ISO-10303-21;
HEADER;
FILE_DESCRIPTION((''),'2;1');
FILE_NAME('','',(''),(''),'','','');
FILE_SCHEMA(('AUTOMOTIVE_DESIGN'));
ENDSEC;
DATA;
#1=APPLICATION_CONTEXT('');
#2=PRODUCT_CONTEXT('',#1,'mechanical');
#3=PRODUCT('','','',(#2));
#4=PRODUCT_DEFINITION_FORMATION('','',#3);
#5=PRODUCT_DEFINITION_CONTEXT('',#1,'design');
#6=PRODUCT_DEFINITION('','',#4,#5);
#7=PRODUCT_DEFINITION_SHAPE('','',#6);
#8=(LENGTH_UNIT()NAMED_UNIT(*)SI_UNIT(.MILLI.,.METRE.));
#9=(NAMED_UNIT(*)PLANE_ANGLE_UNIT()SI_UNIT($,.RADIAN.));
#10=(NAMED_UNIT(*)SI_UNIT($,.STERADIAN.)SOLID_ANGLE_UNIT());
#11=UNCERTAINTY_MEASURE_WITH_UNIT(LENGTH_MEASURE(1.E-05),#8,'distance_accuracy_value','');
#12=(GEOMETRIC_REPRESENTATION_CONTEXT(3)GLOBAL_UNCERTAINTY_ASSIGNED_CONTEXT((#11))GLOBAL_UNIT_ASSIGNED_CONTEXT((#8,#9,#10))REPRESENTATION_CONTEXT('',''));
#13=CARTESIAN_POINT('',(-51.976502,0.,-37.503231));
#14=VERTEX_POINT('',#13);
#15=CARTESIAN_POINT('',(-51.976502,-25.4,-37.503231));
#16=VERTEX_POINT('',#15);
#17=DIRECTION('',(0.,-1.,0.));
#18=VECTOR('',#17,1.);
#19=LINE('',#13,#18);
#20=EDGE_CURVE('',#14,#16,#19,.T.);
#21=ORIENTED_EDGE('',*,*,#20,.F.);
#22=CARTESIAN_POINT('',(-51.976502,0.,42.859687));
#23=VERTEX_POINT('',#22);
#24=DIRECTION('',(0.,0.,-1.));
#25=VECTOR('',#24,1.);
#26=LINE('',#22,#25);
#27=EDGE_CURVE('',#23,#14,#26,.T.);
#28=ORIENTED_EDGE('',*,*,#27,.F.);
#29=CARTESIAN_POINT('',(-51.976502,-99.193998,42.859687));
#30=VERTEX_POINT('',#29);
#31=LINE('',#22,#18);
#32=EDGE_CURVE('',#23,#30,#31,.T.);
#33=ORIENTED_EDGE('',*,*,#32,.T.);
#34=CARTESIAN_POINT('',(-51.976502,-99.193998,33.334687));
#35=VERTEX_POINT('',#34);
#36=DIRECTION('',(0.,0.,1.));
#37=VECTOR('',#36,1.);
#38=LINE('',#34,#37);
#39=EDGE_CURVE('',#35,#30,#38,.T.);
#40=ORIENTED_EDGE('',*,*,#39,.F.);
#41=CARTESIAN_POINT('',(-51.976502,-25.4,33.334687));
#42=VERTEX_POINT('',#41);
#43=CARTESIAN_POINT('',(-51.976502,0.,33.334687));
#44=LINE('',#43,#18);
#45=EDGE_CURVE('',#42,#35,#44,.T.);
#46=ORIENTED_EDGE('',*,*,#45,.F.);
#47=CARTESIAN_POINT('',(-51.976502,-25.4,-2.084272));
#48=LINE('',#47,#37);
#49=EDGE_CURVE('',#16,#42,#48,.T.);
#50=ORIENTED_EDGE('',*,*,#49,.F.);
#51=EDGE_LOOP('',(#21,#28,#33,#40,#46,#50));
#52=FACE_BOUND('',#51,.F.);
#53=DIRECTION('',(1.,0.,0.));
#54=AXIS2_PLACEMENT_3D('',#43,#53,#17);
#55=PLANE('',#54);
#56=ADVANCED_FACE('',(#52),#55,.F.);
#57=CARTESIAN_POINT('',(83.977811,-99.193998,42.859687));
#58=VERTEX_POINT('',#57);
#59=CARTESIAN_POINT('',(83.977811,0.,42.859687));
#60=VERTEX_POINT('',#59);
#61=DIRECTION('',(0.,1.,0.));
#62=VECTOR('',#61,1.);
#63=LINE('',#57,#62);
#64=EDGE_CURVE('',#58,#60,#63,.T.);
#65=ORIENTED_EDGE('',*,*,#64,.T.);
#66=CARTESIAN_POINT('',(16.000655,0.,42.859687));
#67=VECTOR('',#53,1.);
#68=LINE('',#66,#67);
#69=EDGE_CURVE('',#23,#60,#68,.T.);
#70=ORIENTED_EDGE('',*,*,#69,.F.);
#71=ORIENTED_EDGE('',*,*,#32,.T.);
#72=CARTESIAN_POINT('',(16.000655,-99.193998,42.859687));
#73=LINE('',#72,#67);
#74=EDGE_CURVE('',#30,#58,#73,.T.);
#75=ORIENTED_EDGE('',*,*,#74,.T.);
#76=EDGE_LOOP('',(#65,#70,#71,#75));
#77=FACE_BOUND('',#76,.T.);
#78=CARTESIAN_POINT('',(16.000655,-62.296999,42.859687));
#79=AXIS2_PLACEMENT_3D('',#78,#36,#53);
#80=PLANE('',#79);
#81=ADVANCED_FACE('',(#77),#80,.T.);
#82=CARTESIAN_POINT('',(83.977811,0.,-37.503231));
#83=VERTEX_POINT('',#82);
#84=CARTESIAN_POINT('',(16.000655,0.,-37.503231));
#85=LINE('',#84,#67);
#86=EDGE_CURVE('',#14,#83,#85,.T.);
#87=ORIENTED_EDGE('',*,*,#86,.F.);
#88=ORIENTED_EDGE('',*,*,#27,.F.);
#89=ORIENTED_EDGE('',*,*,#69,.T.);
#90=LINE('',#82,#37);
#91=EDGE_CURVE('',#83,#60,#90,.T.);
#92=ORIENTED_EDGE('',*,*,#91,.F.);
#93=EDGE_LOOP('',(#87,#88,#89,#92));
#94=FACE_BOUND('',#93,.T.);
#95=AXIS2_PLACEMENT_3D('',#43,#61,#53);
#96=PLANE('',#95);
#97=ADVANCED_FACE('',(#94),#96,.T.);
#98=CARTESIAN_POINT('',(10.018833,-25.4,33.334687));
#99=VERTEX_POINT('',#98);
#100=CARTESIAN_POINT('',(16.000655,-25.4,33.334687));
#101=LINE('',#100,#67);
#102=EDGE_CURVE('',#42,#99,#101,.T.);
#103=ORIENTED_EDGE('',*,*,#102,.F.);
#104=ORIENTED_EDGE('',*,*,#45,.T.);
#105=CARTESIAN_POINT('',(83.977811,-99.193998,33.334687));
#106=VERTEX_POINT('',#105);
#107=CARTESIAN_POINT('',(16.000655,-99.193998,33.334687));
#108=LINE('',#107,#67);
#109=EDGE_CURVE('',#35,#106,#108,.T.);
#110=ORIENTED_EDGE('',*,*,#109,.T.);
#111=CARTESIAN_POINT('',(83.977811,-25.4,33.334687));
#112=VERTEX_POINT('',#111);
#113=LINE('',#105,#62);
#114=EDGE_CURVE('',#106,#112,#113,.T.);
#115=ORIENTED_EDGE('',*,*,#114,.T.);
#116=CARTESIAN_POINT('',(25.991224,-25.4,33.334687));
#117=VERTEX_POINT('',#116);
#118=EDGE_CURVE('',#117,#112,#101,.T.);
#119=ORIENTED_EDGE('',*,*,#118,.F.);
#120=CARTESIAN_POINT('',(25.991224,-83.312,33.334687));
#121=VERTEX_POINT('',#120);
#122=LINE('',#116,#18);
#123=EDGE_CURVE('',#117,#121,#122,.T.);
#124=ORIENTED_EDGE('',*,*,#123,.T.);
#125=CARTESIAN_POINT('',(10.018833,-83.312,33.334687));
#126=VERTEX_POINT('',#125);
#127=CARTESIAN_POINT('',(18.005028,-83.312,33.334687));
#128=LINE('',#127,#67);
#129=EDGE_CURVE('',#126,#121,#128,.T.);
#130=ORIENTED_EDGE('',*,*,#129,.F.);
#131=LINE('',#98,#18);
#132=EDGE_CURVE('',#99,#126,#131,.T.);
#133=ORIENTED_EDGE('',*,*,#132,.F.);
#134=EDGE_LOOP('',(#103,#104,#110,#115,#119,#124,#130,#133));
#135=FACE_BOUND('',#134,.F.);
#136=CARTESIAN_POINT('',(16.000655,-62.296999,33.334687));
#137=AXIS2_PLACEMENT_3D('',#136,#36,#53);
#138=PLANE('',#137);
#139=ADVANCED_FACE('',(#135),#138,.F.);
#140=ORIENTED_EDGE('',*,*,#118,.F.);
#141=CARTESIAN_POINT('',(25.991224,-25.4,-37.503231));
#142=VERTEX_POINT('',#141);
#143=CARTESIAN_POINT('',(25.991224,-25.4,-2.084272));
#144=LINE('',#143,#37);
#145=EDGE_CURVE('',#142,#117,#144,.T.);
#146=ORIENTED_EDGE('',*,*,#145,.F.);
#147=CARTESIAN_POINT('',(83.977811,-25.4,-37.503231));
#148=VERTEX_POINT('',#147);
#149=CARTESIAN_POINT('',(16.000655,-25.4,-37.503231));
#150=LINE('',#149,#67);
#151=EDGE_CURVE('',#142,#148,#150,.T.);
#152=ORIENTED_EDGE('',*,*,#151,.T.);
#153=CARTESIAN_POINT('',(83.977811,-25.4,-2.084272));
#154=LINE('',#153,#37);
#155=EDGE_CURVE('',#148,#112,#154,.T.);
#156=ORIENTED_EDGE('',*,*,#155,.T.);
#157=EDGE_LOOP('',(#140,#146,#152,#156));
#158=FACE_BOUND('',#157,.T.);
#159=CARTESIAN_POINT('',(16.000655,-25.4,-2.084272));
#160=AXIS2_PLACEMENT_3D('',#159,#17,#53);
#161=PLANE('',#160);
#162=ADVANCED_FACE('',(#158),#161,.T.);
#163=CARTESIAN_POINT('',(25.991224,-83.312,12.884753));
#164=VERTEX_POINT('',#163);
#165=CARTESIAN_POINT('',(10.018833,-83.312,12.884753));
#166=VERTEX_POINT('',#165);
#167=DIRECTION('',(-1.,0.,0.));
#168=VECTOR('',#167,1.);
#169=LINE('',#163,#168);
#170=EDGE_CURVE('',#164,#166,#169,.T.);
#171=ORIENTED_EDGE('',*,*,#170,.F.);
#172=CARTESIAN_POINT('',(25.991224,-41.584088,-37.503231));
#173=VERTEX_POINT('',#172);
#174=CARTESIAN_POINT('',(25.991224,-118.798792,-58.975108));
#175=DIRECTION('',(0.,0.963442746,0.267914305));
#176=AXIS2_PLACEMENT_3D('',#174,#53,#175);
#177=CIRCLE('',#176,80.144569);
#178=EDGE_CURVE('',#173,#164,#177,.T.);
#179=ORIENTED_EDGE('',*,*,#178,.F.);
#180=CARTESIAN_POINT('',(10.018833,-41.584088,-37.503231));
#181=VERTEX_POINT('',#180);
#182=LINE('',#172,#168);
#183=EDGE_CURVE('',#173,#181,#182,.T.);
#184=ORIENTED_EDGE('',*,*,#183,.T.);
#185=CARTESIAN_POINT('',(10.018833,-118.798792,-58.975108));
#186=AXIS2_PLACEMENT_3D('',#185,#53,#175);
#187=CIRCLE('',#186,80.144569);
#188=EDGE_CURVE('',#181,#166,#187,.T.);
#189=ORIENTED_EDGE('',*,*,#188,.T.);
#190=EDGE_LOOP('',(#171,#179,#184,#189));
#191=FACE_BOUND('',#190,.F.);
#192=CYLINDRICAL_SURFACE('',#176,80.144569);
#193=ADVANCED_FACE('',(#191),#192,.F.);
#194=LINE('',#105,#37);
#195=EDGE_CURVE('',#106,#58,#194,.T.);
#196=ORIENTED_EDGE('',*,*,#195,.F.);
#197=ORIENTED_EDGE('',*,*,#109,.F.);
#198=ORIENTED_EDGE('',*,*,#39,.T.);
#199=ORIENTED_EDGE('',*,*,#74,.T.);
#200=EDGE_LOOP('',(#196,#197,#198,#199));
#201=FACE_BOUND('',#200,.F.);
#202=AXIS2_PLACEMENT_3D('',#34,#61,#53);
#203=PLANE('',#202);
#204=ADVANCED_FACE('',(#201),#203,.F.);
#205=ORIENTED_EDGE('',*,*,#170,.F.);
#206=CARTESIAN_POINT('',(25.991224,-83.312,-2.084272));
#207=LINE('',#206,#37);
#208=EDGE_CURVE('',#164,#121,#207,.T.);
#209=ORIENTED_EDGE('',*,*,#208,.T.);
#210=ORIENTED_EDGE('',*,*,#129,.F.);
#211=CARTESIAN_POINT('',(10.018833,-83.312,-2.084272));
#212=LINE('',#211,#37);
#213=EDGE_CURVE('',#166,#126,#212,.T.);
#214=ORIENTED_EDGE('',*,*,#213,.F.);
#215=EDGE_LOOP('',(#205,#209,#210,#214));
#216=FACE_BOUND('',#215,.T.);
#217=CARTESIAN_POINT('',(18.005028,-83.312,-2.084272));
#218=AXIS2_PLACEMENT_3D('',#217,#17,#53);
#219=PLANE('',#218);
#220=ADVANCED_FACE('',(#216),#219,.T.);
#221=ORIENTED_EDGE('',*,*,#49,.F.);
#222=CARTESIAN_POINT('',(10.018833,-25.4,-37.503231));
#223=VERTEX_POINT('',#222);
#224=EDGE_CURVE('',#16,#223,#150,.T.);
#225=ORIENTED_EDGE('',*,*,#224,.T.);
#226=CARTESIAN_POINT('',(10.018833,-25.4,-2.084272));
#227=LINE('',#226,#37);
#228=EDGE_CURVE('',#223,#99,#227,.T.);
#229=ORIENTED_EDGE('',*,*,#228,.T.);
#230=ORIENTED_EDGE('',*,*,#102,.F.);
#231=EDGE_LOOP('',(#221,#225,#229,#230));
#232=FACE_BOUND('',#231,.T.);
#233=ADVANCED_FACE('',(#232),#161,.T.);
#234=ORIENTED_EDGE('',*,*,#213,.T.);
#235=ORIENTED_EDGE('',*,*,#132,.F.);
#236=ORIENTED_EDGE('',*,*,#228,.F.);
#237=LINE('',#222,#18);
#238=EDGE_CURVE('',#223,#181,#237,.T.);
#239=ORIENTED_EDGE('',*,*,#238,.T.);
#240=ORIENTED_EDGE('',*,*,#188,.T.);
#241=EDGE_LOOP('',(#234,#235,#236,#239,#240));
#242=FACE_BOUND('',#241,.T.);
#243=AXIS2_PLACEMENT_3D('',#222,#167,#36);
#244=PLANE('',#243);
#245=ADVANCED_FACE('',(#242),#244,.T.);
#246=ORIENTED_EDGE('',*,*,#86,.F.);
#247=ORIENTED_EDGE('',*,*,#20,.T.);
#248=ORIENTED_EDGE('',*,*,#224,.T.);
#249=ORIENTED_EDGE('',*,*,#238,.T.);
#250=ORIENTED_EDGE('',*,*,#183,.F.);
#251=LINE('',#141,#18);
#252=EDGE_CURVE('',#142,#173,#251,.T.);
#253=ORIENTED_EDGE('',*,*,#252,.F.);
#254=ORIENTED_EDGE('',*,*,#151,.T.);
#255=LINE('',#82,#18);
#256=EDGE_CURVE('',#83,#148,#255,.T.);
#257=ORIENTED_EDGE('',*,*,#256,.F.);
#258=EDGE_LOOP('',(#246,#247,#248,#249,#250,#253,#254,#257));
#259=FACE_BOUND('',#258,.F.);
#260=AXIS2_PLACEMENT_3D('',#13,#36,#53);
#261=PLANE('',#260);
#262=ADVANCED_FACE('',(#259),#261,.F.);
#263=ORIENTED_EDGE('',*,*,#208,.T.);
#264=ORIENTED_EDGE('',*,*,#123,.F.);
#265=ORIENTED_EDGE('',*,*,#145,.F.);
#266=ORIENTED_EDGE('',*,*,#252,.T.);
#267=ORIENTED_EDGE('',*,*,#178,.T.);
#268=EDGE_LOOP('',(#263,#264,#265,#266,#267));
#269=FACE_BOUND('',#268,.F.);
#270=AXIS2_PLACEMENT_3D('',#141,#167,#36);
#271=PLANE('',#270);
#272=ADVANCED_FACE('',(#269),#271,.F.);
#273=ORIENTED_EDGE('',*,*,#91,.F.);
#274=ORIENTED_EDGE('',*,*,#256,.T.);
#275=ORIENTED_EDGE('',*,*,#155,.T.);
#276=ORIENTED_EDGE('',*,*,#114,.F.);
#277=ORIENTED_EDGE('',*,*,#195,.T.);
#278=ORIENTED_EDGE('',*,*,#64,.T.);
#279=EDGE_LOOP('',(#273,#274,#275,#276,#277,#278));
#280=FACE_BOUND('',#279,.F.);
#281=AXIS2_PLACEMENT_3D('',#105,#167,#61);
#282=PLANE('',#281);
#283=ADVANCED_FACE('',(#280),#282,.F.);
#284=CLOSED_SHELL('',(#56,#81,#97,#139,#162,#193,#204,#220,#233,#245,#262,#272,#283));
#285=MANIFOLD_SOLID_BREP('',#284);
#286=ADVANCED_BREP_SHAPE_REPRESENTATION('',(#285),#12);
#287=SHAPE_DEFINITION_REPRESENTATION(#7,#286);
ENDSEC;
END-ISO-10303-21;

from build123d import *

# Parameters (mm, degrees)
F0_W     = 135.9543129802
F0_H     = 70.837918669
F1_DEPTH = 25.4
F2_W     = 135.9543129802
F2_H     = 73.7939976811
F2_H_2   = 25.4
F3_DEPTH = 9.525
F4_W     = 15.9723907709
F4_H     = 70.837918669
F5_DEPTH = 57.912
F7_DEPTH = 25.4


with BuildPart() as f1:
    # F0 (on Front) → F1 (new body)
    with BuildSketch(Plane.XZ):
        with Locations((16.0006545484, -2.0842719823)):
            Rectangle(F0_W, F0_H)
    extrude(amount=F1_DEPTH)

    # F2 (on face) → F3 (join)
    with BuildSketch(Plane.XY.offset(33.3346873522)):
        with Locations((16.0006545484, -62.2969988406)):
            Rectangle(F2_W, F2_H)
        with Locations((16.0006545484, -12.7)):
            Rectangle(F2_W, F2_H_2)
    extrude(amount=F3_DEPTH)

    # F4 (on face) → F5 (join)
    with BuildSketch(Plane.XZ.offset(25.4)):
        with Locations((18.005028367, -2.0842719823)):
            Rectangle(F4_W, F4_H)
    extrude(amount=F5_DEPTH)

    # F6 (on face) → F7 (cut)
    with BuildSketch(Plane.YZ.offset(25.9912237525)):
        with BuildLine():
            Line((-83.312, -37.5032313168), (-41.5840882454, -37.5032313168))
            ThreePointArc((-41.5840882454, -37.5032313168), (-57.0724279587, -7.8575184678), (-83.312, 12.8847527793))
            Line((-83.312, 12.8847527793), (-83.312, -37.5032313168))
        make_face()
    extrude(amount=-F7_DEPTH, mode=Mode.SUBTRACT)


solid = f1.part
